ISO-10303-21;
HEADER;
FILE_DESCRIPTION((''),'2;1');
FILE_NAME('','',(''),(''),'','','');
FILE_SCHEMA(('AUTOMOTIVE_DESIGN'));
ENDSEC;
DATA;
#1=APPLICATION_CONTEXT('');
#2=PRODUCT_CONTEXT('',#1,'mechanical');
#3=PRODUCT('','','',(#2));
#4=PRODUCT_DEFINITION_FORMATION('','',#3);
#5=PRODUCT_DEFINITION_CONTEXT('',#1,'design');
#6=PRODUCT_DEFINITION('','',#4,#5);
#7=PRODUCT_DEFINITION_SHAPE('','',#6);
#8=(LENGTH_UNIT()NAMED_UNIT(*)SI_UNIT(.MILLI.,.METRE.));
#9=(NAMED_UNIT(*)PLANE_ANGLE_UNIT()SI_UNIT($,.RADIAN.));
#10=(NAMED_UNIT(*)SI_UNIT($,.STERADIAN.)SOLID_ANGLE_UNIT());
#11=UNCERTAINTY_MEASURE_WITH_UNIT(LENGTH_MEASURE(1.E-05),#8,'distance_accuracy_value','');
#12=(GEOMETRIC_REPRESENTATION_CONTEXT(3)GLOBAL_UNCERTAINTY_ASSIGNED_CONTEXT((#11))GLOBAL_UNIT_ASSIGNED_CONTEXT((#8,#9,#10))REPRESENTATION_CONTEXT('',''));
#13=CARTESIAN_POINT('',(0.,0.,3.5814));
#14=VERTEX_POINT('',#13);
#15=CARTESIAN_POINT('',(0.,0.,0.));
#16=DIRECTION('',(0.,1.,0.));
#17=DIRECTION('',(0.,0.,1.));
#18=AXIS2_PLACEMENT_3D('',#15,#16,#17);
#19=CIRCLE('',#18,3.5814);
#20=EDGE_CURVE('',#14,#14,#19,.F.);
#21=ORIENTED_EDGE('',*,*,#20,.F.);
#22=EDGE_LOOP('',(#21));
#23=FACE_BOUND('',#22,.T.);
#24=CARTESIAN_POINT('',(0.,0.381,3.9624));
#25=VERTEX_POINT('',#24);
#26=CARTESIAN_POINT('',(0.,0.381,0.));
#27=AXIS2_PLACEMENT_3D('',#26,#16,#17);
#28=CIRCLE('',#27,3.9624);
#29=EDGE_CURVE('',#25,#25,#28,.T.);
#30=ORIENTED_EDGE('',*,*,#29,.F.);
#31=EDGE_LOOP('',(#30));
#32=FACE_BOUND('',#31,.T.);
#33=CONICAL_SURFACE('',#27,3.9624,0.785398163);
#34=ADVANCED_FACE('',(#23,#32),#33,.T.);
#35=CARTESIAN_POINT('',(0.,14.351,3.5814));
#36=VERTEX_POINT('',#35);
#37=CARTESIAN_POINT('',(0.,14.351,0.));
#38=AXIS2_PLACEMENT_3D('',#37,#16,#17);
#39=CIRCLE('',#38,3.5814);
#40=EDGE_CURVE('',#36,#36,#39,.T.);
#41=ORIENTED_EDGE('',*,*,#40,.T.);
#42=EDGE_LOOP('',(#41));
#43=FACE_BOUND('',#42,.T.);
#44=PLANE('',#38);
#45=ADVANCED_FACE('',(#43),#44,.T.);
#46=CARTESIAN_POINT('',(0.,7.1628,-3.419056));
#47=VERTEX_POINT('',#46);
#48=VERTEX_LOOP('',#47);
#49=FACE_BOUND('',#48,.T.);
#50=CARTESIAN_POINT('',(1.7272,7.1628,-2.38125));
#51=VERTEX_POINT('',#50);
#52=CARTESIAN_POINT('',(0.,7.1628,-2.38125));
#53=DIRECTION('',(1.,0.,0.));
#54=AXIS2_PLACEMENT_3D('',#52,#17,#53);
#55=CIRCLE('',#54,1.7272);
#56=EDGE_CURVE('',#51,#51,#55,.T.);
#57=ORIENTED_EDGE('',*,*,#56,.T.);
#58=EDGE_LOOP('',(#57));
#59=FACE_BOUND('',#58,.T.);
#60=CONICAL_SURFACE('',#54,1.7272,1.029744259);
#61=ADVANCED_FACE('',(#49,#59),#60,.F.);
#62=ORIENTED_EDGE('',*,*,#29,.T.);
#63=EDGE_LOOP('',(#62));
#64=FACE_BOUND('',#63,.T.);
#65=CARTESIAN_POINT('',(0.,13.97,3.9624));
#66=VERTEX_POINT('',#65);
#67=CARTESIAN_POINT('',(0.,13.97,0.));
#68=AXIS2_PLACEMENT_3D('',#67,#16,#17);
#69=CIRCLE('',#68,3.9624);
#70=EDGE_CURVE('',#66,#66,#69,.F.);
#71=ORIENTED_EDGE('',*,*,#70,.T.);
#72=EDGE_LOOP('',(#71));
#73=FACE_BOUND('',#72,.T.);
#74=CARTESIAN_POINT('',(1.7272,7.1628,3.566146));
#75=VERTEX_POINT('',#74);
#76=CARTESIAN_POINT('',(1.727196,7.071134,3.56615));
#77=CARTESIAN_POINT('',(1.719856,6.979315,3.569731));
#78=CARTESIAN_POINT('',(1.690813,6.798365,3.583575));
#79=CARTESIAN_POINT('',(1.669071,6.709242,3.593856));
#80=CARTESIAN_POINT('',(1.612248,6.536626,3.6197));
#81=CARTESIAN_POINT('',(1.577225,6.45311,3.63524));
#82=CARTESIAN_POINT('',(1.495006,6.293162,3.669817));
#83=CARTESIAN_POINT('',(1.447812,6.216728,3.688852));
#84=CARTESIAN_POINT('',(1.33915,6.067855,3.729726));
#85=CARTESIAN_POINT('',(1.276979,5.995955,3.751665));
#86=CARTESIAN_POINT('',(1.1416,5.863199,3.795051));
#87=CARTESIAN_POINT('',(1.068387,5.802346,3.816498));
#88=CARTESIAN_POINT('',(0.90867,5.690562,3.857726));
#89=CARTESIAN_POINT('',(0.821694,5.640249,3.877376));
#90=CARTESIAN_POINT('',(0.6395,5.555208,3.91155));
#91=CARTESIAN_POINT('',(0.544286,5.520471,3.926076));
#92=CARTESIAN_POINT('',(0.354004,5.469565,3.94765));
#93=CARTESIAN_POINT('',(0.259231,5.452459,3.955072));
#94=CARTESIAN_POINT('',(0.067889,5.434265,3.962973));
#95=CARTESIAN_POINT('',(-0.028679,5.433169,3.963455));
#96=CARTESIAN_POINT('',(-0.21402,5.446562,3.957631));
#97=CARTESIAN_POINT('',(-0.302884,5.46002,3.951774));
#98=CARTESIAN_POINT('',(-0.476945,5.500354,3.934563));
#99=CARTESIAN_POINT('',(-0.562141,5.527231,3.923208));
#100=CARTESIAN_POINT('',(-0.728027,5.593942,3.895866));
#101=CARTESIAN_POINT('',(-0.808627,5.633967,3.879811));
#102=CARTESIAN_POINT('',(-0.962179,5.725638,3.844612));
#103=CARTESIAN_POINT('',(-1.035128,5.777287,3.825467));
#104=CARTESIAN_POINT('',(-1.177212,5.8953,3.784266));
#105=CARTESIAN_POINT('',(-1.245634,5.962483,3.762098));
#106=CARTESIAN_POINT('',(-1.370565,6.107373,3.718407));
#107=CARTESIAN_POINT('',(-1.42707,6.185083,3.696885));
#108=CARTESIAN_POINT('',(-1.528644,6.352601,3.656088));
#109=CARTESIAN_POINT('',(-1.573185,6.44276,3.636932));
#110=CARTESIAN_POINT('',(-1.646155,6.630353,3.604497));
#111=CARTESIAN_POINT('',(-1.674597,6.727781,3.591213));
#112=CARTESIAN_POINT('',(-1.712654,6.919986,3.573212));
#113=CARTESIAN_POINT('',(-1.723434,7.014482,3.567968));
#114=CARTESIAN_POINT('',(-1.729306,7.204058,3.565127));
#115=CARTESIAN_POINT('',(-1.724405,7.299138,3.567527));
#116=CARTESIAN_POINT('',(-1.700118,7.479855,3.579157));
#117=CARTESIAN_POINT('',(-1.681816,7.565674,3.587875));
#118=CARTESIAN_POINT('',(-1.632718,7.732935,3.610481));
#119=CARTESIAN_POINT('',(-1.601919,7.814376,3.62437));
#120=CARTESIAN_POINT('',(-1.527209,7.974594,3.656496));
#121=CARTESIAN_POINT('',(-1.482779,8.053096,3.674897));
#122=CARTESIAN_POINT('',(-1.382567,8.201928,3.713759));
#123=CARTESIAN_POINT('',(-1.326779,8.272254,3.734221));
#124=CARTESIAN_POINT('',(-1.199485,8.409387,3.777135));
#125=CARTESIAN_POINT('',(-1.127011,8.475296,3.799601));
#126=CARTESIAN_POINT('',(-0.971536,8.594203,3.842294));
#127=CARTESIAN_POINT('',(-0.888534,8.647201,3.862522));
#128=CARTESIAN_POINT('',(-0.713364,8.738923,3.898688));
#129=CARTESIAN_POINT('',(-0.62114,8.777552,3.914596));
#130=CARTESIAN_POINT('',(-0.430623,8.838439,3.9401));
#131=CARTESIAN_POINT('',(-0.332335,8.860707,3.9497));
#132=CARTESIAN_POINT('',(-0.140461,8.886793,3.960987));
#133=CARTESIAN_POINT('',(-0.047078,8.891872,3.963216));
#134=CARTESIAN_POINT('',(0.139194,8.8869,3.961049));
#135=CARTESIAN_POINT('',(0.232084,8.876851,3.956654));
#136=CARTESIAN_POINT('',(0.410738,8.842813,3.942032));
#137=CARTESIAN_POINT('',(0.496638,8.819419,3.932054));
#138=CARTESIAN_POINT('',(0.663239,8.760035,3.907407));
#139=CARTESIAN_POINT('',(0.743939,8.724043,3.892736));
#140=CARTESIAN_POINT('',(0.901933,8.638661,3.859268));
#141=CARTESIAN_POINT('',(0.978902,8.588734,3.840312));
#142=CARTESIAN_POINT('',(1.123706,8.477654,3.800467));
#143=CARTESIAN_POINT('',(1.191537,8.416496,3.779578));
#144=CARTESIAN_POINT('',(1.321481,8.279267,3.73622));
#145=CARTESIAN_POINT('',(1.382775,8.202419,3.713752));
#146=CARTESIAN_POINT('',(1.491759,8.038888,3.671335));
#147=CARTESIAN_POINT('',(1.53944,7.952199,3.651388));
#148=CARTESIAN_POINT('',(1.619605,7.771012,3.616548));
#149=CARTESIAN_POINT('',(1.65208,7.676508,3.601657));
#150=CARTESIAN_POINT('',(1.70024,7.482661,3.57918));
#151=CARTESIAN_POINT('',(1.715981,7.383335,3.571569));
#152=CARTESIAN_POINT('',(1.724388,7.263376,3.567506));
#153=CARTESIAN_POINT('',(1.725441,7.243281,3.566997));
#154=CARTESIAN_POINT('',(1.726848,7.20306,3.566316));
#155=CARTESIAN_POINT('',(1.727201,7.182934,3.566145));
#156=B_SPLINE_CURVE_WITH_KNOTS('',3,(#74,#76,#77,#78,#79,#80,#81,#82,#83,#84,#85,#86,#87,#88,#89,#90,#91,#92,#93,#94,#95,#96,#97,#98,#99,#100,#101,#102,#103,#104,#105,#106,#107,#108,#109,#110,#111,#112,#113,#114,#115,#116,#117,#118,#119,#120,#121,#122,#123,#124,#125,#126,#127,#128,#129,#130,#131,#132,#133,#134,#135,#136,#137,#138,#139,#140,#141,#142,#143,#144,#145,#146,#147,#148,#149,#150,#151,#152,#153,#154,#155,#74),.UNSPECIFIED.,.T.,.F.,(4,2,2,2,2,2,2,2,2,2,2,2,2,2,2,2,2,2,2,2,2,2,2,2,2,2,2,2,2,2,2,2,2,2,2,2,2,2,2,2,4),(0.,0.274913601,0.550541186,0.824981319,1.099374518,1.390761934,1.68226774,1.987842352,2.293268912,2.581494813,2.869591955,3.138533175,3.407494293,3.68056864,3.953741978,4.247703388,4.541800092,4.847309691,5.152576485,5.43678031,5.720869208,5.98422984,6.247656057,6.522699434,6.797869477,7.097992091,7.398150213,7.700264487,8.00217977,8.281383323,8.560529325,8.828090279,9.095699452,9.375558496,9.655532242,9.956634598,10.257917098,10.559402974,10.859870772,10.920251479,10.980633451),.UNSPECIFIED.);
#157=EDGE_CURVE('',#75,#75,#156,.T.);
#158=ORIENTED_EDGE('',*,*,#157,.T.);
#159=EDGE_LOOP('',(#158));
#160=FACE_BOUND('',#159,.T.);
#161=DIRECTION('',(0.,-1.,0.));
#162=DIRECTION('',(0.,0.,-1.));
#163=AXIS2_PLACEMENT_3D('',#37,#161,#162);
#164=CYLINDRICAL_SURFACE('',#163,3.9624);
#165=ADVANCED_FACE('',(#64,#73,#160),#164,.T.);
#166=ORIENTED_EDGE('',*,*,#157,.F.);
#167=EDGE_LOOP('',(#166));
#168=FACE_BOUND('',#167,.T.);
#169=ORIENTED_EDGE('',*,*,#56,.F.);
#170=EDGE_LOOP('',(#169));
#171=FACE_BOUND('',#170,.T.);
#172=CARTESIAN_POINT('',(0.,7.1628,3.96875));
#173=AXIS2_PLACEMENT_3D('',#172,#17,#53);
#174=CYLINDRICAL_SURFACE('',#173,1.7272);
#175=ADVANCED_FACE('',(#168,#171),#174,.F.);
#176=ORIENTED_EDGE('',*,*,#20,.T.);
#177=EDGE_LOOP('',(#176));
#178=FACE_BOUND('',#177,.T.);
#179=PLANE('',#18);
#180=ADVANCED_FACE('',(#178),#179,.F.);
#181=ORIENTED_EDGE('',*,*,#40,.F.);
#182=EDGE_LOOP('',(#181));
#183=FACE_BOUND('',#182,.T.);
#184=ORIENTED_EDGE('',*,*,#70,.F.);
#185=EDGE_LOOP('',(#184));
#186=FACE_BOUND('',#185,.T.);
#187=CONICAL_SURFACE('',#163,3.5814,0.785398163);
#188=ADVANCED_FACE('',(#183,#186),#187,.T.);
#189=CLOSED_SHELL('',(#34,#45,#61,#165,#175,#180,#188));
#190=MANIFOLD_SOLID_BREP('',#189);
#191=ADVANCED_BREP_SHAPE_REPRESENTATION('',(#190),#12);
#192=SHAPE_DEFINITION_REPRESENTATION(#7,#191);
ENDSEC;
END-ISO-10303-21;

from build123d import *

# Parameters (mm, degrees)
SKETCH1_R                           = 3.9624
BOSS_EXTRUDE1_DEPTH                 = 14.351
CHAMFER1_SIZE                       = 0.381
F_9_64_0_14063_DIAMETER_HOLE3_D     = 3.4544
F_9_64_0_14063_DIAMETER_HOLE3_DEPTH = 6.35
F_9_64_0_14063_DIAMETER_HOLE3_TIP   = 1.037806461


with BuildPart() as part:
    # Sketch1 → Boss-Extrude1 (new body)
    with BuildSketch(Plane(origin=(0, 0, 0), x_dir=(1, 0, 0), z_dir=(0, 1, 0))):
        Circle(SKETCH1_R)
    extrude(amount=BOSS_EXTRUDE1_DEPTH)

    # Chamfer1
    chamfer1_edges = [part.edges().sort_by_distance(p)[0] for p in [
        (-3.9624, 0, 0),
        (-3.9624, 14.351, 0),
    ]]
    chamfer(chamfer1_edges, length=CHAMFER1_SIZE)

    # 9/64 (0.14063) Diameter Hole3
    with Locations(Plane.XY.offset(3.96875)):
        with Locations((0, 7.1628)):
            Hole(F_9_64_0_14063_DIAMETER_HOLE3_D / 2, depth=F_9_64_0_14063_DIAMETER_HOLE3_DEPTH)
            with Locations((0, 0, -(F_9_64_0_14063_DIAMETER_HOLE3_DEPTH + F_9_64_0_14063_DIAMETER_HOLE3_TIP / 2))):  # 118° drill point
                Cone(0, F_9_64_0_14063_DIAMETER_HOLE3_D / 2, F_9_64_0_14063_DIAMETER_HOLE3_TIP, mode=Mode.SUBTRACT)


solid = part.part
